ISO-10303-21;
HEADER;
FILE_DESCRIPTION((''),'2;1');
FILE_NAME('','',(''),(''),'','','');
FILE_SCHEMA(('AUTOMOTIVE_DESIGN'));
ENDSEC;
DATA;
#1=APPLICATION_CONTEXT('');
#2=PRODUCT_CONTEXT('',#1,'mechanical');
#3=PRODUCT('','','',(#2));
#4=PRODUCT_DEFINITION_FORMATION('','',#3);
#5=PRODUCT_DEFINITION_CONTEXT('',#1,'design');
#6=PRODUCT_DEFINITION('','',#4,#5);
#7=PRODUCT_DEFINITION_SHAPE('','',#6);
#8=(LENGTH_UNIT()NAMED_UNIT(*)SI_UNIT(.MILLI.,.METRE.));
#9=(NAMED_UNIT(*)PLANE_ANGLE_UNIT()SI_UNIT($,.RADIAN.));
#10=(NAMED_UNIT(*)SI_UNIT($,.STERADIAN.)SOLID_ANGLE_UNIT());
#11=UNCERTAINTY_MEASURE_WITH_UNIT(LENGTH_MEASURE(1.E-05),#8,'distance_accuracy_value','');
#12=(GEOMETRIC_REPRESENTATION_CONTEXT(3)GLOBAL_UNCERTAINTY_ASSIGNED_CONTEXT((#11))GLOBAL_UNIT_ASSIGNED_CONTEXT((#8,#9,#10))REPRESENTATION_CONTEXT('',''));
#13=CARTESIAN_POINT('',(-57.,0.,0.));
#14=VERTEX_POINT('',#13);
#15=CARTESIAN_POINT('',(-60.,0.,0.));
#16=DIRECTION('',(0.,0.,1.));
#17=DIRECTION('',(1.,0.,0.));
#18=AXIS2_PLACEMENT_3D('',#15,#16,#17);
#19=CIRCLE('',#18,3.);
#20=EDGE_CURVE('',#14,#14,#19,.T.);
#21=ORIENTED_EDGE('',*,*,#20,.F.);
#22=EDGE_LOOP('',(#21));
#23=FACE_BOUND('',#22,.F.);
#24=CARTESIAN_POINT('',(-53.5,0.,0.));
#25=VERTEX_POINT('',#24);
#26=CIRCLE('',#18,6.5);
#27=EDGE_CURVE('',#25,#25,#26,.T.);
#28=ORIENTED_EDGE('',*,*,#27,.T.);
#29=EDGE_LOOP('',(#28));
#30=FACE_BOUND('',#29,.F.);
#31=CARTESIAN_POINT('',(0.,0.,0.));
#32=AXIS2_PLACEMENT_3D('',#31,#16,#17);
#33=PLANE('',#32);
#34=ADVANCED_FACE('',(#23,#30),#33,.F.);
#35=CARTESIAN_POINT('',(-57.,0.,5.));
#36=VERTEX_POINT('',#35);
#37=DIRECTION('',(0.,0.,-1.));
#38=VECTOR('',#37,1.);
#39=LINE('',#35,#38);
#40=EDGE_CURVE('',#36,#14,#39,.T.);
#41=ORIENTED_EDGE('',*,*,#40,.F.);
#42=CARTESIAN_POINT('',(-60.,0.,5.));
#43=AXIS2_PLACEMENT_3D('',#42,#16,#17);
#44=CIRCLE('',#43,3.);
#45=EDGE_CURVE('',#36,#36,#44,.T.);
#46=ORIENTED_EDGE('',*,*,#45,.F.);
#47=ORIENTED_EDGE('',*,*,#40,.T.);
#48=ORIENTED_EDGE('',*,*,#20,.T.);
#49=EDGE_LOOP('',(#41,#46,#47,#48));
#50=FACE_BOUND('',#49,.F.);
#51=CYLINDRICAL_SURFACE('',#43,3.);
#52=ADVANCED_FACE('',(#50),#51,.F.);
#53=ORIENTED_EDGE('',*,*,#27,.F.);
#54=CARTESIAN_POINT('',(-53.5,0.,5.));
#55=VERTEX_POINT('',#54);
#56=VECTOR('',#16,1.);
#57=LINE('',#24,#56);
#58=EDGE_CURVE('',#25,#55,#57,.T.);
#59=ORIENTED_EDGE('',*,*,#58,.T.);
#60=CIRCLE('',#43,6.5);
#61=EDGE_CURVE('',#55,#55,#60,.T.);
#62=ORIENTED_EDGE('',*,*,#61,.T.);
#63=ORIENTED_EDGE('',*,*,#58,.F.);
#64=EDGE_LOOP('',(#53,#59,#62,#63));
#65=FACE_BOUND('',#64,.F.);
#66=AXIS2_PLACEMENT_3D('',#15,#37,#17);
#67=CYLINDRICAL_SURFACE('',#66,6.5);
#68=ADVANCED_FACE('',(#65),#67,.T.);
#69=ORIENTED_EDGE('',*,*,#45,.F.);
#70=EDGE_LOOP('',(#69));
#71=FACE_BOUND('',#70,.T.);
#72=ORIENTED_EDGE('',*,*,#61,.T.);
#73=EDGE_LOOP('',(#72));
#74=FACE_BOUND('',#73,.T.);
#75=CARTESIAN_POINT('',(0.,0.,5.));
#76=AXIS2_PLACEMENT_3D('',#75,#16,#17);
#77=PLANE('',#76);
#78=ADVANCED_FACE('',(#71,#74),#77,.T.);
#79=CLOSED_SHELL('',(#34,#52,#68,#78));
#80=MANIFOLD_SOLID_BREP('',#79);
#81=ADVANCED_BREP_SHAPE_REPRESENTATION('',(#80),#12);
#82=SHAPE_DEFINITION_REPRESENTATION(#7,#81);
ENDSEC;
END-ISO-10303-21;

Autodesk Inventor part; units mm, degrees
ref_plane "YZ Plane" through (0, 0, 0) normal (1, 0, 0) x (0, 1, 0)
ref_plane "XZ Plane" through (0, 0, 0) normal (0, 1, 0) x (-1, 0, 0)
ref_plane "XY Plane" through (0, 0, 0) normal (0, 0, 1) x (1, 0, 0)
sketch "Sketch1" plane through (0, 0, 0) normal (0, 0, 1) x (1, 0, 0)
  circle A0 centre (0, 0) radius 60 construction
  circle A1 centre (-60, 0) radius 6.5
  dimension "d5" = 120
  dimension "d0" = 13
extrude "Extrusion1" add sketch "Sketch1" along normal blind 5
sketch "Sketch2" plane through (-60, 0, 5) normal (0, 0, 1) x (1, 0, 0)
  circle A0 centre (60, 0) radius 60 construction
  circle A1 centre (0, 0) radius 6.5 projected
  circle A2 centre (0, 0) radius 3
  circle A3 centre (2.6656, -17.6853) radius 3
  circle A4 centre (10.4257, -33.7992) radius 3
  circle A5 centre (22.5906, -46.9099) radius 3
  circle A6 centre (38.0795, -55.8524) radius 3
  circle A7 centre (55.5162, -59.8322) radius 3
  circle A8 centre (73.3513, -58.4957) radius 3
  circle A9 centre (90, -51.9615) radius 3
  circle A10 centre (103.9831, -40.8104) radius 3
  circle A11 centre (114.0581, -26.033) radius 3
  circle A12 centre (119.3298, -8.9425) radius 3
  circle A13 centre (119.3298, 8.9425) radius 3
  circle A14 centre (114.0581, 26.033) radius 3
  circle A15 centre (103.9831, 40.8104) radius 3
  circle A16 centre (90, 51.9615) radius 3
  circle A17 centre (73.3513, 58.4957) radius 3
  circle A18 centre (55.5162, 59.8322) radius 3
  circle A19 centre (38.0795, 55.8524) radius 3
  circle A20 centre (22.5906, 46.9099) radius 3
  circle A21 centre (10.4257, 33.7992) radius 3
  circle A22 centre (2.6656, 17.6853) radius 3
  dimension "d8" = 120
  dimension "d9" = 6
  dimension "d12" = 360
extrude "Extrusion2" cut sketch "Sketch2" against normal through all contours A2 | A3 | A4 | A5 | A6 | A7 | A8 | A9 | A10 | A11 | A12 | A13 | A14 | A15 | A16 | A17 | A18 | A19 | A20 | A21 | A22
properties part number "Housing"
